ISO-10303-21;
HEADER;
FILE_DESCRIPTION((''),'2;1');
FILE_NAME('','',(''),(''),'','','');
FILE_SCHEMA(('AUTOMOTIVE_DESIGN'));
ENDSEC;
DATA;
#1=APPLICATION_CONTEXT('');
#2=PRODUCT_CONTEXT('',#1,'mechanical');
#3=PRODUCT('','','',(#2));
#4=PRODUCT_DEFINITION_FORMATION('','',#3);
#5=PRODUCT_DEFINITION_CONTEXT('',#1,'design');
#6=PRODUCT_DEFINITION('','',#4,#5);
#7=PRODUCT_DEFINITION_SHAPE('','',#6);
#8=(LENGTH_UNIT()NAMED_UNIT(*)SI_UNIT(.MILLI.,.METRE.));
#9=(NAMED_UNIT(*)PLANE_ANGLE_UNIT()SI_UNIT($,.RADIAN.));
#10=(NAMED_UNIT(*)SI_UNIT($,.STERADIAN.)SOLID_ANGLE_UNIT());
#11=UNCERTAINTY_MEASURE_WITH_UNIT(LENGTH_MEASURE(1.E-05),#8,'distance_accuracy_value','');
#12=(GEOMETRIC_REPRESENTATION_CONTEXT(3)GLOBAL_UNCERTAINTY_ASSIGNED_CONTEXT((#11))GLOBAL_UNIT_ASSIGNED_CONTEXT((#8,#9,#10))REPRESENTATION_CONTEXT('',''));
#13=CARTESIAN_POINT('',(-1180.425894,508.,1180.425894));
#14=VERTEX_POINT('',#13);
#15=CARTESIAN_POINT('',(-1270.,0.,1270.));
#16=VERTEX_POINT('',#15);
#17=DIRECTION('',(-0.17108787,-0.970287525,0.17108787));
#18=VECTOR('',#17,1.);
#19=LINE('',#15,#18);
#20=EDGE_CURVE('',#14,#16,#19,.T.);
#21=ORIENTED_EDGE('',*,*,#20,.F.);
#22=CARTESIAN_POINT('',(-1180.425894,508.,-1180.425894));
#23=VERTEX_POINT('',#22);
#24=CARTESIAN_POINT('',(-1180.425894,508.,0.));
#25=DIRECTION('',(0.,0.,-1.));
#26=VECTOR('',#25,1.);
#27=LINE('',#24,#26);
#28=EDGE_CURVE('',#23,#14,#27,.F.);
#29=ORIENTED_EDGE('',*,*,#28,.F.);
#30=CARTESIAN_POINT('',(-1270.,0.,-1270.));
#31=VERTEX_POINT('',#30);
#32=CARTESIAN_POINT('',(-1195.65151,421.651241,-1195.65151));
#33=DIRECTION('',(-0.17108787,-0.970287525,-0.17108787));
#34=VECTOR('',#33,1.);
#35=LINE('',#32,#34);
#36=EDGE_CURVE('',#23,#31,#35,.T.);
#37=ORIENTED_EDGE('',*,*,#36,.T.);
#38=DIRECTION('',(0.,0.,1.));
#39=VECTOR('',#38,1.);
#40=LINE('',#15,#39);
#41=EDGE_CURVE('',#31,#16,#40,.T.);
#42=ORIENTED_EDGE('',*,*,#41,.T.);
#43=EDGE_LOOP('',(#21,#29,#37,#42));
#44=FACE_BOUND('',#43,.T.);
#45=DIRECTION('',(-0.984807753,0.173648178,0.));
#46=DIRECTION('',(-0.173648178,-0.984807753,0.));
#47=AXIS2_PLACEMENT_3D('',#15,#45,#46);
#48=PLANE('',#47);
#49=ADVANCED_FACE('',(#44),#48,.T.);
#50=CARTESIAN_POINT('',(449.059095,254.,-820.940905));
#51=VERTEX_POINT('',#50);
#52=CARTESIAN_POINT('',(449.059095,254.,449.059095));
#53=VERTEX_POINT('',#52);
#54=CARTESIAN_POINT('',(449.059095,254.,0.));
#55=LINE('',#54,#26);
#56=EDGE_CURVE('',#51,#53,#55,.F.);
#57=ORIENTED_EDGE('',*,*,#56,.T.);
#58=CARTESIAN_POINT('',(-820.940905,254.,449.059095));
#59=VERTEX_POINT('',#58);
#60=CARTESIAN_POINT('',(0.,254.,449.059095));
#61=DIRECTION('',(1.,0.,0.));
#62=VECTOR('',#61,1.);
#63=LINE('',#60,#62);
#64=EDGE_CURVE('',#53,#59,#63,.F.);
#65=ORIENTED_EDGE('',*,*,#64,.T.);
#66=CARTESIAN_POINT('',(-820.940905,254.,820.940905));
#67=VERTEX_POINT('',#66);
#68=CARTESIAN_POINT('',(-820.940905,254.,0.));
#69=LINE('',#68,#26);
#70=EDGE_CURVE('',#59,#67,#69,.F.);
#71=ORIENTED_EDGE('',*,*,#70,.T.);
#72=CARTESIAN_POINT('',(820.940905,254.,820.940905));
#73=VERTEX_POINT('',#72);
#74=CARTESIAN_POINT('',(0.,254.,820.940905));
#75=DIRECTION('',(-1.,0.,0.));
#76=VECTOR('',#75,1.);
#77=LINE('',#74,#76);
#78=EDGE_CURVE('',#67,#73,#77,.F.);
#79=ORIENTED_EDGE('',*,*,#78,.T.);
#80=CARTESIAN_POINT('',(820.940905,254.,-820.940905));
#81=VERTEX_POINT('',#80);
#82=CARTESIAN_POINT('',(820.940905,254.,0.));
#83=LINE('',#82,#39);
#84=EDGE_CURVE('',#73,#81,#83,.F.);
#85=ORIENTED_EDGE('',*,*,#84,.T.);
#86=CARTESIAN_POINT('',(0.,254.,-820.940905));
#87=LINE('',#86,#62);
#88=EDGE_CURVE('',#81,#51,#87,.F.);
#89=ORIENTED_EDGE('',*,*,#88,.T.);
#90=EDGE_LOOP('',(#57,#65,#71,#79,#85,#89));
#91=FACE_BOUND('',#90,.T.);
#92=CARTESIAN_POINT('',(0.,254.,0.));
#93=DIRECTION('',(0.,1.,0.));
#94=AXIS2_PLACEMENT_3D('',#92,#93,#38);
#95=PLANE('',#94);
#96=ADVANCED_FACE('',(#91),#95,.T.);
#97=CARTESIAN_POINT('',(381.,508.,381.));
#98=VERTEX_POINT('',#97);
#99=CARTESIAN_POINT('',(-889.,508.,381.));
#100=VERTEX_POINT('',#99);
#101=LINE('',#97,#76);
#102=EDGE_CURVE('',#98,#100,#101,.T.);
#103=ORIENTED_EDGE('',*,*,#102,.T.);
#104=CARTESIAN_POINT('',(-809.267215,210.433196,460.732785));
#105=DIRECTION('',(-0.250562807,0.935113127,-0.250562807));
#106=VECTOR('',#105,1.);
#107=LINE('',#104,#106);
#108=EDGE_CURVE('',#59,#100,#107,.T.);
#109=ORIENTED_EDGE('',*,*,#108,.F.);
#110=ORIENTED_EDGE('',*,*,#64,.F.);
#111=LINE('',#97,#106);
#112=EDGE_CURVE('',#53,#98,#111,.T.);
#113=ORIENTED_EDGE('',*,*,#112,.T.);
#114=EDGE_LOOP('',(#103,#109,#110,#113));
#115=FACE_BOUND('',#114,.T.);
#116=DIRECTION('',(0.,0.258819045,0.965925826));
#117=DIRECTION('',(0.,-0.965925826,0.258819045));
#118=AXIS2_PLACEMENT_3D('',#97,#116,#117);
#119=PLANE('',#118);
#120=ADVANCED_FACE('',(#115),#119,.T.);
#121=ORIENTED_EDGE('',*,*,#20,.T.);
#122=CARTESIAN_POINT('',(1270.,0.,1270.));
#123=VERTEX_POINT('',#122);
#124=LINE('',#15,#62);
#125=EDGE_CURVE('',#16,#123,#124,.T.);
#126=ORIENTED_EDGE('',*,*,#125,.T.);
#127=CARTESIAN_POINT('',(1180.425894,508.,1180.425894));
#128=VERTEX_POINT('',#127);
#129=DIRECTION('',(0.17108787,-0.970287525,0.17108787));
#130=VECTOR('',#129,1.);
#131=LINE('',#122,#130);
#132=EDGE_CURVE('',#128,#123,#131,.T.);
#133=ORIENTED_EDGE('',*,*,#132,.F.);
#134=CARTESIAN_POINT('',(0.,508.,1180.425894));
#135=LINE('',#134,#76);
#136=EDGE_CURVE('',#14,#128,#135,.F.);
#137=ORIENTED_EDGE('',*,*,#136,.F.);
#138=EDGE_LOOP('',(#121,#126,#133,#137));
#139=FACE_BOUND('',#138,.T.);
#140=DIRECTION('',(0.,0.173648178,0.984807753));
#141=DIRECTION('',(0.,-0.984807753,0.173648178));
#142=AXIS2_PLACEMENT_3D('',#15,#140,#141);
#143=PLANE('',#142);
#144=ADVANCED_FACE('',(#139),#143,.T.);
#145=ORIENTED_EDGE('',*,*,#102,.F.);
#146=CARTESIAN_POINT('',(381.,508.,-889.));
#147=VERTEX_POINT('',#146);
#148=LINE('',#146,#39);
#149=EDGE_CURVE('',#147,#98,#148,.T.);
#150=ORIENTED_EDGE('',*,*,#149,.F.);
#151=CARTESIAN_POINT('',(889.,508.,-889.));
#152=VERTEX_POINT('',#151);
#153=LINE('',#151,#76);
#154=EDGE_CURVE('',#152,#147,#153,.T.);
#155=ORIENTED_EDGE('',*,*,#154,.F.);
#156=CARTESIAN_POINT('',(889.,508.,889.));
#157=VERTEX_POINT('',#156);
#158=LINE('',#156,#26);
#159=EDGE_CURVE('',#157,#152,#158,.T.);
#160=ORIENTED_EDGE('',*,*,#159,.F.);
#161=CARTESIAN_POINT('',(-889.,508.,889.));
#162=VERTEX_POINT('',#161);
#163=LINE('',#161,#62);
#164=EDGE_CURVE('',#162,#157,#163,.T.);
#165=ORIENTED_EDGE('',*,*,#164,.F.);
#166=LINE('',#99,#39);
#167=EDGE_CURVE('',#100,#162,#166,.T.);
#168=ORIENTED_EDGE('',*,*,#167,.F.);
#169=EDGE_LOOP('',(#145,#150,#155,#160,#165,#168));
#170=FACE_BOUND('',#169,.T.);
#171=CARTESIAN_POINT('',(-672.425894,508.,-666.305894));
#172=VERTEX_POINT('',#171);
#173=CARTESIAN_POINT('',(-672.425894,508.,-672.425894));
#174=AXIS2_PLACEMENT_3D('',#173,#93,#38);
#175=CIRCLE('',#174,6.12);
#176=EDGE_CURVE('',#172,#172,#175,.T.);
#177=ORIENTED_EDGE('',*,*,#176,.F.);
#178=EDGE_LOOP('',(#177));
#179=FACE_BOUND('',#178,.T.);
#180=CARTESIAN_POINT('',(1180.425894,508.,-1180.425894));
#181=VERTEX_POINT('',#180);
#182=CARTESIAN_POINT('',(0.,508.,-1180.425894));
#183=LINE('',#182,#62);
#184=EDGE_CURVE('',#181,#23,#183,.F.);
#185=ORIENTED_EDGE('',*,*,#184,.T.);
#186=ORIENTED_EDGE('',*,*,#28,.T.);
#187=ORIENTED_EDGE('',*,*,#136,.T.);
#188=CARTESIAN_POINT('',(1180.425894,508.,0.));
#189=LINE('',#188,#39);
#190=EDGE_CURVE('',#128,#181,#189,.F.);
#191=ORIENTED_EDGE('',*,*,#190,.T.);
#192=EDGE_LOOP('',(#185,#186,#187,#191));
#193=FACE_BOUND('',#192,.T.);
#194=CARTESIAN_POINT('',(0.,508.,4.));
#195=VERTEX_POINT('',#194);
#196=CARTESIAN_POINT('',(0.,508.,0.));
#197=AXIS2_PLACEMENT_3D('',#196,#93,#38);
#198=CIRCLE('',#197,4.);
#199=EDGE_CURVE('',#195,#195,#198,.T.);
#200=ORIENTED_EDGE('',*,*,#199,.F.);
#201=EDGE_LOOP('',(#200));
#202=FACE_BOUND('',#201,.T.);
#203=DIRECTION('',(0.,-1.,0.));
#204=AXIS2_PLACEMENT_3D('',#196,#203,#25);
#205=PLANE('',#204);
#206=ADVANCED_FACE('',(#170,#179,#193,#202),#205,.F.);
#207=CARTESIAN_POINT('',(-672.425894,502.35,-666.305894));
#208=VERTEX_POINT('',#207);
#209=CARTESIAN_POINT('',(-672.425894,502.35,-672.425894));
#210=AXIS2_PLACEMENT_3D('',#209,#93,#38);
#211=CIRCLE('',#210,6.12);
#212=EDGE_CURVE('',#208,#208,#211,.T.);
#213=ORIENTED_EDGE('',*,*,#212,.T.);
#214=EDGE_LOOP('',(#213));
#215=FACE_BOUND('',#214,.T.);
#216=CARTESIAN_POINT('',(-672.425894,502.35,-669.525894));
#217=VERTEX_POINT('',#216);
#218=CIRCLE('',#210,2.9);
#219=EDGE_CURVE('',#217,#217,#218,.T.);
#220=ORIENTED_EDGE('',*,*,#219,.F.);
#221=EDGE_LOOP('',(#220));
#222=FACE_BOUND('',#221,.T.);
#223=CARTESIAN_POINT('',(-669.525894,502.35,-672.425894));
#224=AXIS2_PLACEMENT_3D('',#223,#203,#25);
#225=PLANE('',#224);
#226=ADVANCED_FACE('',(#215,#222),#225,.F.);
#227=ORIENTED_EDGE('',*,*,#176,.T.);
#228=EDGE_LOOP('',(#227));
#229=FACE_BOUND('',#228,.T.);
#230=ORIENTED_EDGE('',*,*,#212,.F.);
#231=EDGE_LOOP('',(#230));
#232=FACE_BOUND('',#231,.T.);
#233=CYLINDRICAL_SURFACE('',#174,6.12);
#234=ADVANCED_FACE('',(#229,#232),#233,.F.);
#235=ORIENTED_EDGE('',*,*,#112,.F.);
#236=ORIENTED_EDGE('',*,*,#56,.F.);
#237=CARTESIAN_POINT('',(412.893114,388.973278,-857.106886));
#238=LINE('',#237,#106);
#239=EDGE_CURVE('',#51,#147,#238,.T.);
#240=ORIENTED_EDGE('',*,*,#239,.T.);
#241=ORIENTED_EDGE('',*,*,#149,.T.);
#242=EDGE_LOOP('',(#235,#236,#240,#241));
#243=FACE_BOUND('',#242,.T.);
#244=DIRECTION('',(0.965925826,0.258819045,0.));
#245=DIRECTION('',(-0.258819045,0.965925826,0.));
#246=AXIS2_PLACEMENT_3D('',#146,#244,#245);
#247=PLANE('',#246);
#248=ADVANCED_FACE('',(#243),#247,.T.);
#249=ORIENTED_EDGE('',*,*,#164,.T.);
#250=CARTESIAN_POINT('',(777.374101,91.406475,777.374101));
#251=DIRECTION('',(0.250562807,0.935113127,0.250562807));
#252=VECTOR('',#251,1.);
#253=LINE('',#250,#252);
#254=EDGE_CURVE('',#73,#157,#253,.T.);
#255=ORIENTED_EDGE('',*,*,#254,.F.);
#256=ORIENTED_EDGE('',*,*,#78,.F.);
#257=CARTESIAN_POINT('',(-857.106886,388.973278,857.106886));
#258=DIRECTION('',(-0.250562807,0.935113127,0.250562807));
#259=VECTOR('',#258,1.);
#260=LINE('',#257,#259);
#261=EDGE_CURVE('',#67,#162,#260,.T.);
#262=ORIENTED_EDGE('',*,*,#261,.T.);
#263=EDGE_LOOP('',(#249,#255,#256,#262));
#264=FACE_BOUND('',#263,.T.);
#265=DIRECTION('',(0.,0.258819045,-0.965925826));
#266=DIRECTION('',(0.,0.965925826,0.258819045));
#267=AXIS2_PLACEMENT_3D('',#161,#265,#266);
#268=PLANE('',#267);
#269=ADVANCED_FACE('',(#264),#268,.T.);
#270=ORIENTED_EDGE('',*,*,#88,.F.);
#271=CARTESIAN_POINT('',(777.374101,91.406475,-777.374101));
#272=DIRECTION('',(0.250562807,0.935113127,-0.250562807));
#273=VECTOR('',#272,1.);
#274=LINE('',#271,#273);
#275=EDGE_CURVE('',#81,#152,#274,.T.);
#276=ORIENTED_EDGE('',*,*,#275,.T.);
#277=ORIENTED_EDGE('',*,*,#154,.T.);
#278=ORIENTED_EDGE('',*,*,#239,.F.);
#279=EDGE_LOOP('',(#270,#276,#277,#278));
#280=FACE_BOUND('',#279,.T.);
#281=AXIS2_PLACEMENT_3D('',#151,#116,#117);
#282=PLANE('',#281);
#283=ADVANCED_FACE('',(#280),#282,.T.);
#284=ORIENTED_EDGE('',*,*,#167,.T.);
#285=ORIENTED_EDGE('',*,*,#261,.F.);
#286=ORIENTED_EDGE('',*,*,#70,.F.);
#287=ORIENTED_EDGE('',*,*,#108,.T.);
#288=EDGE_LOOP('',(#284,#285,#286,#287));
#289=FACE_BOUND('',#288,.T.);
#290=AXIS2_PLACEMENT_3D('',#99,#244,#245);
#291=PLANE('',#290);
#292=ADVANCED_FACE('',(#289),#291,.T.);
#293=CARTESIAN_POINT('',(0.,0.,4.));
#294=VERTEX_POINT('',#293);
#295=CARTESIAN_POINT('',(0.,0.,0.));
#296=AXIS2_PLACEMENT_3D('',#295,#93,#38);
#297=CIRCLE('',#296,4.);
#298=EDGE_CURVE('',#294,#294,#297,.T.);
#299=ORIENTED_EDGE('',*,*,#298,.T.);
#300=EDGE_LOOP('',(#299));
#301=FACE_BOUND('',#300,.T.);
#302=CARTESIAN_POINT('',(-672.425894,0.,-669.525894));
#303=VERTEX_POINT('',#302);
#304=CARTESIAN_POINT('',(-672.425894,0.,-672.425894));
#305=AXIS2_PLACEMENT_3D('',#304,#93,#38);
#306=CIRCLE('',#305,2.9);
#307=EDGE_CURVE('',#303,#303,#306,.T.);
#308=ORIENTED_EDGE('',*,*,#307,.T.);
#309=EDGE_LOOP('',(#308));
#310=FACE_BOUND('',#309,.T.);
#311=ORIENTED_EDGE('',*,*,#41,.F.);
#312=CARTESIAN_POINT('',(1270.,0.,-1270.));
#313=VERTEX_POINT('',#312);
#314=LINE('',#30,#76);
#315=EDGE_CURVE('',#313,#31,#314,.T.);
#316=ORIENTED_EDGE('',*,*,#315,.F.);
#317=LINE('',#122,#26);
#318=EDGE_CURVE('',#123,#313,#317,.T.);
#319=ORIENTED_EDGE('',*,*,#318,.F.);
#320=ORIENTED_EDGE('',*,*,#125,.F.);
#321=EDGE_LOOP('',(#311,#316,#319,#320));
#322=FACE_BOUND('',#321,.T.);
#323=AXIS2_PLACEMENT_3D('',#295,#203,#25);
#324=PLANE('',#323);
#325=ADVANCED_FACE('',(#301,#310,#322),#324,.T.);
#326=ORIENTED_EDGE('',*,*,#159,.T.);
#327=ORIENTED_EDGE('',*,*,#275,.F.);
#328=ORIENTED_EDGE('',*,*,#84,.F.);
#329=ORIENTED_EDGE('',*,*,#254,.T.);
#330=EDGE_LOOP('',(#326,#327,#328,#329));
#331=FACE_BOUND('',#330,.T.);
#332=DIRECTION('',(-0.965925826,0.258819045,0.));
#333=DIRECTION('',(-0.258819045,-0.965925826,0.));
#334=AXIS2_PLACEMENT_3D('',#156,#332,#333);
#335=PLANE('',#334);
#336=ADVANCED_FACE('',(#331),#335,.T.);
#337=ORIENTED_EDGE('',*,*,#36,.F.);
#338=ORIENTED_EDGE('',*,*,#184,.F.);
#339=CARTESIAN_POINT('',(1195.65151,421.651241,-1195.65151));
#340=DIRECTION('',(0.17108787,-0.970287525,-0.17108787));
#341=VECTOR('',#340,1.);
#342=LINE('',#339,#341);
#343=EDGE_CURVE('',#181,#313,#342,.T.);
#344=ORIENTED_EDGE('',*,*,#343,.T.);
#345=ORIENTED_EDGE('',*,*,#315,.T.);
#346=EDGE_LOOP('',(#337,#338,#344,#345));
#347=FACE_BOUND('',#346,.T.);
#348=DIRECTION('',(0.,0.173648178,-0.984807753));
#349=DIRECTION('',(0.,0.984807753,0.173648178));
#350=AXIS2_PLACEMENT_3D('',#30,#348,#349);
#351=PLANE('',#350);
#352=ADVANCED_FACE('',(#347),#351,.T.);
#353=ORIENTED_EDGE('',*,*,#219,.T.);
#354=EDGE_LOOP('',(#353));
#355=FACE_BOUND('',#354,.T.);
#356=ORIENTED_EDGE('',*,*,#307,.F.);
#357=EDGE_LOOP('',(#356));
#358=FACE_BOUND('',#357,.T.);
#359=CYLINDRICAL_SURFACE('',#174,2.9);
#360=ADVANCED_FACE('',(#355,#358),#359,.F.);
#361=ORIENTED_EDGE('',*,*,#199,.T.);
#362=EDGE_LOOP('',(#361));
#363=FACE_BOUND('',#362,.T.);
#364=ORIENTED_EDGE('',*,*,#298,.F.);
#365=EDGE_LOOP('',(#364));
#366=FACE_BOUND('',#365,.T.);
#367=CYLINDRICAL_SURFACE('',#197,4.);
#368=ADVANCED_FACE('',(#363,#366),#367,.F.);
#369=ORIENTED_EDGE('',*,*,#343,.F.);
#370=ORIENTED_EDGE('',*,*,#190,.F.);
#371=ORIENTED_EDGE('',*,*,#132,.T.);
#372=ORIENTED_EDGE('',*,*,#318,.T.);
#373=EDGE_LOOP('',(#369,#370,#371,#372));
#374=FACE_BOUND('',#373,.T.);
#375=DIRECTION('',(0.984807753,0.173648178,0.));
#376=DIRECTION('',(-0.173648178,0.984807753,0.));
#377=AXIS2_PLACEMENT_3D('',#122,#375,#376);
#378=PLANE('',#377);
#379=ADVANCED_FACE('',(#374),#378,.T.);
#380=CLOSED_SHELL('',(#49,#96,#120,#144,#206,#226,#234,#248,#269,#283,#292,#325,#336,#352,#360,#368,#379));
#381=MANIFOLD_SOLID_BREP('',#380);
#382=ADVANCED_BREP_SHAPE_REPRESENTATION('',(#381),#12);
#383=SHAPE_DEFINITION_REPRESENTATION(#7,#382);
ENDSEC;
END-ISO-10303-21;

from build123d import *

# Parameters (mm, degrees)
SKETCH2_W                                    = 2540
SKETCH2_H                                    = 2540
BOSS_EXTRUDE1_DEPTH                          = 508
CUT_EXTRUDE2_DEPTH                           = 254
DRAFT3_ANGLE                                 = 15
DRAFT4_ANGLE                                 = -10
CBORE_FOR_M5_HEX_HEAD_CAP_SCREW1_D           = 5.8
CBORE_FOR_M5_HEX_HEAD_CAP_SCREW1_CBORE_D     = 12.24
CBORE_FOR_M5_HEX_HEAD_CAP_SCREW1_CBORE_DEPTH = 5.65
F_8_0MM_DOWEL_HOLE1_D                        = 8


with BuildPart() as part:
    # Sketch2 → Boss-Extrude1 (new body)
    with BuildSketch(Plane(origin=(0, 0, 0), x_dir=(1, 0, 0), z_dir=(0, 1, 0))):
        Rectangle(SKETCH2_W, SKETCH2_H)
    extrude(amount=BOSS_EXTRUDE1_DEPTH)

    # Sketch3 → Cut-Extrude2 (cut)
    with BuildSketch(Plane(origin=(0, 508, 0), x_dir=(1, 0, 0), z_dir=(0, 1, 0))):
        Polygon((381, 889), (381, -381), (-889, -381), (-889, -889), (889, -889), (889, 889), align=None)
    extrude(amount=-CUT_EXTRUDE2_DEPTH, mode=Mode.SUBTRACT)

    # Draft3
    draft3_faces = [part.faces().sort_by_distance(p)[0] for p in [
        (381, 381, -254),
        (-254, 381, 381),
        (-889, 381, 635),
        (0, 381, 889),
        (889, 381, 0),
        (635, 381, -889),
    ]]
    draft(draft3_faces, Plane.ZX.offset(508), DRAFT3_ANGLE)

    # Draft4
    draft4_faces = [part.faces().sort_by_distance(p)[0] for p in [
        (-1270, 254, 0),
        (0, 254, -1270),
        (1270, 254, 0),
        (0, 254, 1270),
    ]]
    draft(draft4_faces, Plane(origin=(0, 0, 0), x_dir=(0, 0, -1), z_dir=(0, -1, 0)), DRAFT4_ANGLE)

    # CBORE for M5 Hex Head Cap Screw1 (through all)
    with Locations(Plane(origin=(0, 508, 0), x_dir=(1, 0, 0), z_dir=(0, 1, 0))):
        with Locations((-672.4258938, 672.4258938)):
            CounterBoreHole(CBORE_FOR_M5_HEX_HEAD_CAP_SCREW1_D / 2, CBORE_FOR_M5_HEX_HEAD_CAP_SCREW1_CBORE_D / 2, CBORE_FOR_M5_HEX_HEAD_CAP_SCREW1_CBORE_DEPTH)

    # Ø8.0mm Dowel Hole1 (through all)
    with Locations(Plane(origin=(0, 508, 0), x_dir=(1, 0, 0), z_dir=(0, 1, 0))):
        with Locations((0, 0)):
            Hole(F_8_0MM_DOWEL_HOLE1_D / 2)


solid = part.part
